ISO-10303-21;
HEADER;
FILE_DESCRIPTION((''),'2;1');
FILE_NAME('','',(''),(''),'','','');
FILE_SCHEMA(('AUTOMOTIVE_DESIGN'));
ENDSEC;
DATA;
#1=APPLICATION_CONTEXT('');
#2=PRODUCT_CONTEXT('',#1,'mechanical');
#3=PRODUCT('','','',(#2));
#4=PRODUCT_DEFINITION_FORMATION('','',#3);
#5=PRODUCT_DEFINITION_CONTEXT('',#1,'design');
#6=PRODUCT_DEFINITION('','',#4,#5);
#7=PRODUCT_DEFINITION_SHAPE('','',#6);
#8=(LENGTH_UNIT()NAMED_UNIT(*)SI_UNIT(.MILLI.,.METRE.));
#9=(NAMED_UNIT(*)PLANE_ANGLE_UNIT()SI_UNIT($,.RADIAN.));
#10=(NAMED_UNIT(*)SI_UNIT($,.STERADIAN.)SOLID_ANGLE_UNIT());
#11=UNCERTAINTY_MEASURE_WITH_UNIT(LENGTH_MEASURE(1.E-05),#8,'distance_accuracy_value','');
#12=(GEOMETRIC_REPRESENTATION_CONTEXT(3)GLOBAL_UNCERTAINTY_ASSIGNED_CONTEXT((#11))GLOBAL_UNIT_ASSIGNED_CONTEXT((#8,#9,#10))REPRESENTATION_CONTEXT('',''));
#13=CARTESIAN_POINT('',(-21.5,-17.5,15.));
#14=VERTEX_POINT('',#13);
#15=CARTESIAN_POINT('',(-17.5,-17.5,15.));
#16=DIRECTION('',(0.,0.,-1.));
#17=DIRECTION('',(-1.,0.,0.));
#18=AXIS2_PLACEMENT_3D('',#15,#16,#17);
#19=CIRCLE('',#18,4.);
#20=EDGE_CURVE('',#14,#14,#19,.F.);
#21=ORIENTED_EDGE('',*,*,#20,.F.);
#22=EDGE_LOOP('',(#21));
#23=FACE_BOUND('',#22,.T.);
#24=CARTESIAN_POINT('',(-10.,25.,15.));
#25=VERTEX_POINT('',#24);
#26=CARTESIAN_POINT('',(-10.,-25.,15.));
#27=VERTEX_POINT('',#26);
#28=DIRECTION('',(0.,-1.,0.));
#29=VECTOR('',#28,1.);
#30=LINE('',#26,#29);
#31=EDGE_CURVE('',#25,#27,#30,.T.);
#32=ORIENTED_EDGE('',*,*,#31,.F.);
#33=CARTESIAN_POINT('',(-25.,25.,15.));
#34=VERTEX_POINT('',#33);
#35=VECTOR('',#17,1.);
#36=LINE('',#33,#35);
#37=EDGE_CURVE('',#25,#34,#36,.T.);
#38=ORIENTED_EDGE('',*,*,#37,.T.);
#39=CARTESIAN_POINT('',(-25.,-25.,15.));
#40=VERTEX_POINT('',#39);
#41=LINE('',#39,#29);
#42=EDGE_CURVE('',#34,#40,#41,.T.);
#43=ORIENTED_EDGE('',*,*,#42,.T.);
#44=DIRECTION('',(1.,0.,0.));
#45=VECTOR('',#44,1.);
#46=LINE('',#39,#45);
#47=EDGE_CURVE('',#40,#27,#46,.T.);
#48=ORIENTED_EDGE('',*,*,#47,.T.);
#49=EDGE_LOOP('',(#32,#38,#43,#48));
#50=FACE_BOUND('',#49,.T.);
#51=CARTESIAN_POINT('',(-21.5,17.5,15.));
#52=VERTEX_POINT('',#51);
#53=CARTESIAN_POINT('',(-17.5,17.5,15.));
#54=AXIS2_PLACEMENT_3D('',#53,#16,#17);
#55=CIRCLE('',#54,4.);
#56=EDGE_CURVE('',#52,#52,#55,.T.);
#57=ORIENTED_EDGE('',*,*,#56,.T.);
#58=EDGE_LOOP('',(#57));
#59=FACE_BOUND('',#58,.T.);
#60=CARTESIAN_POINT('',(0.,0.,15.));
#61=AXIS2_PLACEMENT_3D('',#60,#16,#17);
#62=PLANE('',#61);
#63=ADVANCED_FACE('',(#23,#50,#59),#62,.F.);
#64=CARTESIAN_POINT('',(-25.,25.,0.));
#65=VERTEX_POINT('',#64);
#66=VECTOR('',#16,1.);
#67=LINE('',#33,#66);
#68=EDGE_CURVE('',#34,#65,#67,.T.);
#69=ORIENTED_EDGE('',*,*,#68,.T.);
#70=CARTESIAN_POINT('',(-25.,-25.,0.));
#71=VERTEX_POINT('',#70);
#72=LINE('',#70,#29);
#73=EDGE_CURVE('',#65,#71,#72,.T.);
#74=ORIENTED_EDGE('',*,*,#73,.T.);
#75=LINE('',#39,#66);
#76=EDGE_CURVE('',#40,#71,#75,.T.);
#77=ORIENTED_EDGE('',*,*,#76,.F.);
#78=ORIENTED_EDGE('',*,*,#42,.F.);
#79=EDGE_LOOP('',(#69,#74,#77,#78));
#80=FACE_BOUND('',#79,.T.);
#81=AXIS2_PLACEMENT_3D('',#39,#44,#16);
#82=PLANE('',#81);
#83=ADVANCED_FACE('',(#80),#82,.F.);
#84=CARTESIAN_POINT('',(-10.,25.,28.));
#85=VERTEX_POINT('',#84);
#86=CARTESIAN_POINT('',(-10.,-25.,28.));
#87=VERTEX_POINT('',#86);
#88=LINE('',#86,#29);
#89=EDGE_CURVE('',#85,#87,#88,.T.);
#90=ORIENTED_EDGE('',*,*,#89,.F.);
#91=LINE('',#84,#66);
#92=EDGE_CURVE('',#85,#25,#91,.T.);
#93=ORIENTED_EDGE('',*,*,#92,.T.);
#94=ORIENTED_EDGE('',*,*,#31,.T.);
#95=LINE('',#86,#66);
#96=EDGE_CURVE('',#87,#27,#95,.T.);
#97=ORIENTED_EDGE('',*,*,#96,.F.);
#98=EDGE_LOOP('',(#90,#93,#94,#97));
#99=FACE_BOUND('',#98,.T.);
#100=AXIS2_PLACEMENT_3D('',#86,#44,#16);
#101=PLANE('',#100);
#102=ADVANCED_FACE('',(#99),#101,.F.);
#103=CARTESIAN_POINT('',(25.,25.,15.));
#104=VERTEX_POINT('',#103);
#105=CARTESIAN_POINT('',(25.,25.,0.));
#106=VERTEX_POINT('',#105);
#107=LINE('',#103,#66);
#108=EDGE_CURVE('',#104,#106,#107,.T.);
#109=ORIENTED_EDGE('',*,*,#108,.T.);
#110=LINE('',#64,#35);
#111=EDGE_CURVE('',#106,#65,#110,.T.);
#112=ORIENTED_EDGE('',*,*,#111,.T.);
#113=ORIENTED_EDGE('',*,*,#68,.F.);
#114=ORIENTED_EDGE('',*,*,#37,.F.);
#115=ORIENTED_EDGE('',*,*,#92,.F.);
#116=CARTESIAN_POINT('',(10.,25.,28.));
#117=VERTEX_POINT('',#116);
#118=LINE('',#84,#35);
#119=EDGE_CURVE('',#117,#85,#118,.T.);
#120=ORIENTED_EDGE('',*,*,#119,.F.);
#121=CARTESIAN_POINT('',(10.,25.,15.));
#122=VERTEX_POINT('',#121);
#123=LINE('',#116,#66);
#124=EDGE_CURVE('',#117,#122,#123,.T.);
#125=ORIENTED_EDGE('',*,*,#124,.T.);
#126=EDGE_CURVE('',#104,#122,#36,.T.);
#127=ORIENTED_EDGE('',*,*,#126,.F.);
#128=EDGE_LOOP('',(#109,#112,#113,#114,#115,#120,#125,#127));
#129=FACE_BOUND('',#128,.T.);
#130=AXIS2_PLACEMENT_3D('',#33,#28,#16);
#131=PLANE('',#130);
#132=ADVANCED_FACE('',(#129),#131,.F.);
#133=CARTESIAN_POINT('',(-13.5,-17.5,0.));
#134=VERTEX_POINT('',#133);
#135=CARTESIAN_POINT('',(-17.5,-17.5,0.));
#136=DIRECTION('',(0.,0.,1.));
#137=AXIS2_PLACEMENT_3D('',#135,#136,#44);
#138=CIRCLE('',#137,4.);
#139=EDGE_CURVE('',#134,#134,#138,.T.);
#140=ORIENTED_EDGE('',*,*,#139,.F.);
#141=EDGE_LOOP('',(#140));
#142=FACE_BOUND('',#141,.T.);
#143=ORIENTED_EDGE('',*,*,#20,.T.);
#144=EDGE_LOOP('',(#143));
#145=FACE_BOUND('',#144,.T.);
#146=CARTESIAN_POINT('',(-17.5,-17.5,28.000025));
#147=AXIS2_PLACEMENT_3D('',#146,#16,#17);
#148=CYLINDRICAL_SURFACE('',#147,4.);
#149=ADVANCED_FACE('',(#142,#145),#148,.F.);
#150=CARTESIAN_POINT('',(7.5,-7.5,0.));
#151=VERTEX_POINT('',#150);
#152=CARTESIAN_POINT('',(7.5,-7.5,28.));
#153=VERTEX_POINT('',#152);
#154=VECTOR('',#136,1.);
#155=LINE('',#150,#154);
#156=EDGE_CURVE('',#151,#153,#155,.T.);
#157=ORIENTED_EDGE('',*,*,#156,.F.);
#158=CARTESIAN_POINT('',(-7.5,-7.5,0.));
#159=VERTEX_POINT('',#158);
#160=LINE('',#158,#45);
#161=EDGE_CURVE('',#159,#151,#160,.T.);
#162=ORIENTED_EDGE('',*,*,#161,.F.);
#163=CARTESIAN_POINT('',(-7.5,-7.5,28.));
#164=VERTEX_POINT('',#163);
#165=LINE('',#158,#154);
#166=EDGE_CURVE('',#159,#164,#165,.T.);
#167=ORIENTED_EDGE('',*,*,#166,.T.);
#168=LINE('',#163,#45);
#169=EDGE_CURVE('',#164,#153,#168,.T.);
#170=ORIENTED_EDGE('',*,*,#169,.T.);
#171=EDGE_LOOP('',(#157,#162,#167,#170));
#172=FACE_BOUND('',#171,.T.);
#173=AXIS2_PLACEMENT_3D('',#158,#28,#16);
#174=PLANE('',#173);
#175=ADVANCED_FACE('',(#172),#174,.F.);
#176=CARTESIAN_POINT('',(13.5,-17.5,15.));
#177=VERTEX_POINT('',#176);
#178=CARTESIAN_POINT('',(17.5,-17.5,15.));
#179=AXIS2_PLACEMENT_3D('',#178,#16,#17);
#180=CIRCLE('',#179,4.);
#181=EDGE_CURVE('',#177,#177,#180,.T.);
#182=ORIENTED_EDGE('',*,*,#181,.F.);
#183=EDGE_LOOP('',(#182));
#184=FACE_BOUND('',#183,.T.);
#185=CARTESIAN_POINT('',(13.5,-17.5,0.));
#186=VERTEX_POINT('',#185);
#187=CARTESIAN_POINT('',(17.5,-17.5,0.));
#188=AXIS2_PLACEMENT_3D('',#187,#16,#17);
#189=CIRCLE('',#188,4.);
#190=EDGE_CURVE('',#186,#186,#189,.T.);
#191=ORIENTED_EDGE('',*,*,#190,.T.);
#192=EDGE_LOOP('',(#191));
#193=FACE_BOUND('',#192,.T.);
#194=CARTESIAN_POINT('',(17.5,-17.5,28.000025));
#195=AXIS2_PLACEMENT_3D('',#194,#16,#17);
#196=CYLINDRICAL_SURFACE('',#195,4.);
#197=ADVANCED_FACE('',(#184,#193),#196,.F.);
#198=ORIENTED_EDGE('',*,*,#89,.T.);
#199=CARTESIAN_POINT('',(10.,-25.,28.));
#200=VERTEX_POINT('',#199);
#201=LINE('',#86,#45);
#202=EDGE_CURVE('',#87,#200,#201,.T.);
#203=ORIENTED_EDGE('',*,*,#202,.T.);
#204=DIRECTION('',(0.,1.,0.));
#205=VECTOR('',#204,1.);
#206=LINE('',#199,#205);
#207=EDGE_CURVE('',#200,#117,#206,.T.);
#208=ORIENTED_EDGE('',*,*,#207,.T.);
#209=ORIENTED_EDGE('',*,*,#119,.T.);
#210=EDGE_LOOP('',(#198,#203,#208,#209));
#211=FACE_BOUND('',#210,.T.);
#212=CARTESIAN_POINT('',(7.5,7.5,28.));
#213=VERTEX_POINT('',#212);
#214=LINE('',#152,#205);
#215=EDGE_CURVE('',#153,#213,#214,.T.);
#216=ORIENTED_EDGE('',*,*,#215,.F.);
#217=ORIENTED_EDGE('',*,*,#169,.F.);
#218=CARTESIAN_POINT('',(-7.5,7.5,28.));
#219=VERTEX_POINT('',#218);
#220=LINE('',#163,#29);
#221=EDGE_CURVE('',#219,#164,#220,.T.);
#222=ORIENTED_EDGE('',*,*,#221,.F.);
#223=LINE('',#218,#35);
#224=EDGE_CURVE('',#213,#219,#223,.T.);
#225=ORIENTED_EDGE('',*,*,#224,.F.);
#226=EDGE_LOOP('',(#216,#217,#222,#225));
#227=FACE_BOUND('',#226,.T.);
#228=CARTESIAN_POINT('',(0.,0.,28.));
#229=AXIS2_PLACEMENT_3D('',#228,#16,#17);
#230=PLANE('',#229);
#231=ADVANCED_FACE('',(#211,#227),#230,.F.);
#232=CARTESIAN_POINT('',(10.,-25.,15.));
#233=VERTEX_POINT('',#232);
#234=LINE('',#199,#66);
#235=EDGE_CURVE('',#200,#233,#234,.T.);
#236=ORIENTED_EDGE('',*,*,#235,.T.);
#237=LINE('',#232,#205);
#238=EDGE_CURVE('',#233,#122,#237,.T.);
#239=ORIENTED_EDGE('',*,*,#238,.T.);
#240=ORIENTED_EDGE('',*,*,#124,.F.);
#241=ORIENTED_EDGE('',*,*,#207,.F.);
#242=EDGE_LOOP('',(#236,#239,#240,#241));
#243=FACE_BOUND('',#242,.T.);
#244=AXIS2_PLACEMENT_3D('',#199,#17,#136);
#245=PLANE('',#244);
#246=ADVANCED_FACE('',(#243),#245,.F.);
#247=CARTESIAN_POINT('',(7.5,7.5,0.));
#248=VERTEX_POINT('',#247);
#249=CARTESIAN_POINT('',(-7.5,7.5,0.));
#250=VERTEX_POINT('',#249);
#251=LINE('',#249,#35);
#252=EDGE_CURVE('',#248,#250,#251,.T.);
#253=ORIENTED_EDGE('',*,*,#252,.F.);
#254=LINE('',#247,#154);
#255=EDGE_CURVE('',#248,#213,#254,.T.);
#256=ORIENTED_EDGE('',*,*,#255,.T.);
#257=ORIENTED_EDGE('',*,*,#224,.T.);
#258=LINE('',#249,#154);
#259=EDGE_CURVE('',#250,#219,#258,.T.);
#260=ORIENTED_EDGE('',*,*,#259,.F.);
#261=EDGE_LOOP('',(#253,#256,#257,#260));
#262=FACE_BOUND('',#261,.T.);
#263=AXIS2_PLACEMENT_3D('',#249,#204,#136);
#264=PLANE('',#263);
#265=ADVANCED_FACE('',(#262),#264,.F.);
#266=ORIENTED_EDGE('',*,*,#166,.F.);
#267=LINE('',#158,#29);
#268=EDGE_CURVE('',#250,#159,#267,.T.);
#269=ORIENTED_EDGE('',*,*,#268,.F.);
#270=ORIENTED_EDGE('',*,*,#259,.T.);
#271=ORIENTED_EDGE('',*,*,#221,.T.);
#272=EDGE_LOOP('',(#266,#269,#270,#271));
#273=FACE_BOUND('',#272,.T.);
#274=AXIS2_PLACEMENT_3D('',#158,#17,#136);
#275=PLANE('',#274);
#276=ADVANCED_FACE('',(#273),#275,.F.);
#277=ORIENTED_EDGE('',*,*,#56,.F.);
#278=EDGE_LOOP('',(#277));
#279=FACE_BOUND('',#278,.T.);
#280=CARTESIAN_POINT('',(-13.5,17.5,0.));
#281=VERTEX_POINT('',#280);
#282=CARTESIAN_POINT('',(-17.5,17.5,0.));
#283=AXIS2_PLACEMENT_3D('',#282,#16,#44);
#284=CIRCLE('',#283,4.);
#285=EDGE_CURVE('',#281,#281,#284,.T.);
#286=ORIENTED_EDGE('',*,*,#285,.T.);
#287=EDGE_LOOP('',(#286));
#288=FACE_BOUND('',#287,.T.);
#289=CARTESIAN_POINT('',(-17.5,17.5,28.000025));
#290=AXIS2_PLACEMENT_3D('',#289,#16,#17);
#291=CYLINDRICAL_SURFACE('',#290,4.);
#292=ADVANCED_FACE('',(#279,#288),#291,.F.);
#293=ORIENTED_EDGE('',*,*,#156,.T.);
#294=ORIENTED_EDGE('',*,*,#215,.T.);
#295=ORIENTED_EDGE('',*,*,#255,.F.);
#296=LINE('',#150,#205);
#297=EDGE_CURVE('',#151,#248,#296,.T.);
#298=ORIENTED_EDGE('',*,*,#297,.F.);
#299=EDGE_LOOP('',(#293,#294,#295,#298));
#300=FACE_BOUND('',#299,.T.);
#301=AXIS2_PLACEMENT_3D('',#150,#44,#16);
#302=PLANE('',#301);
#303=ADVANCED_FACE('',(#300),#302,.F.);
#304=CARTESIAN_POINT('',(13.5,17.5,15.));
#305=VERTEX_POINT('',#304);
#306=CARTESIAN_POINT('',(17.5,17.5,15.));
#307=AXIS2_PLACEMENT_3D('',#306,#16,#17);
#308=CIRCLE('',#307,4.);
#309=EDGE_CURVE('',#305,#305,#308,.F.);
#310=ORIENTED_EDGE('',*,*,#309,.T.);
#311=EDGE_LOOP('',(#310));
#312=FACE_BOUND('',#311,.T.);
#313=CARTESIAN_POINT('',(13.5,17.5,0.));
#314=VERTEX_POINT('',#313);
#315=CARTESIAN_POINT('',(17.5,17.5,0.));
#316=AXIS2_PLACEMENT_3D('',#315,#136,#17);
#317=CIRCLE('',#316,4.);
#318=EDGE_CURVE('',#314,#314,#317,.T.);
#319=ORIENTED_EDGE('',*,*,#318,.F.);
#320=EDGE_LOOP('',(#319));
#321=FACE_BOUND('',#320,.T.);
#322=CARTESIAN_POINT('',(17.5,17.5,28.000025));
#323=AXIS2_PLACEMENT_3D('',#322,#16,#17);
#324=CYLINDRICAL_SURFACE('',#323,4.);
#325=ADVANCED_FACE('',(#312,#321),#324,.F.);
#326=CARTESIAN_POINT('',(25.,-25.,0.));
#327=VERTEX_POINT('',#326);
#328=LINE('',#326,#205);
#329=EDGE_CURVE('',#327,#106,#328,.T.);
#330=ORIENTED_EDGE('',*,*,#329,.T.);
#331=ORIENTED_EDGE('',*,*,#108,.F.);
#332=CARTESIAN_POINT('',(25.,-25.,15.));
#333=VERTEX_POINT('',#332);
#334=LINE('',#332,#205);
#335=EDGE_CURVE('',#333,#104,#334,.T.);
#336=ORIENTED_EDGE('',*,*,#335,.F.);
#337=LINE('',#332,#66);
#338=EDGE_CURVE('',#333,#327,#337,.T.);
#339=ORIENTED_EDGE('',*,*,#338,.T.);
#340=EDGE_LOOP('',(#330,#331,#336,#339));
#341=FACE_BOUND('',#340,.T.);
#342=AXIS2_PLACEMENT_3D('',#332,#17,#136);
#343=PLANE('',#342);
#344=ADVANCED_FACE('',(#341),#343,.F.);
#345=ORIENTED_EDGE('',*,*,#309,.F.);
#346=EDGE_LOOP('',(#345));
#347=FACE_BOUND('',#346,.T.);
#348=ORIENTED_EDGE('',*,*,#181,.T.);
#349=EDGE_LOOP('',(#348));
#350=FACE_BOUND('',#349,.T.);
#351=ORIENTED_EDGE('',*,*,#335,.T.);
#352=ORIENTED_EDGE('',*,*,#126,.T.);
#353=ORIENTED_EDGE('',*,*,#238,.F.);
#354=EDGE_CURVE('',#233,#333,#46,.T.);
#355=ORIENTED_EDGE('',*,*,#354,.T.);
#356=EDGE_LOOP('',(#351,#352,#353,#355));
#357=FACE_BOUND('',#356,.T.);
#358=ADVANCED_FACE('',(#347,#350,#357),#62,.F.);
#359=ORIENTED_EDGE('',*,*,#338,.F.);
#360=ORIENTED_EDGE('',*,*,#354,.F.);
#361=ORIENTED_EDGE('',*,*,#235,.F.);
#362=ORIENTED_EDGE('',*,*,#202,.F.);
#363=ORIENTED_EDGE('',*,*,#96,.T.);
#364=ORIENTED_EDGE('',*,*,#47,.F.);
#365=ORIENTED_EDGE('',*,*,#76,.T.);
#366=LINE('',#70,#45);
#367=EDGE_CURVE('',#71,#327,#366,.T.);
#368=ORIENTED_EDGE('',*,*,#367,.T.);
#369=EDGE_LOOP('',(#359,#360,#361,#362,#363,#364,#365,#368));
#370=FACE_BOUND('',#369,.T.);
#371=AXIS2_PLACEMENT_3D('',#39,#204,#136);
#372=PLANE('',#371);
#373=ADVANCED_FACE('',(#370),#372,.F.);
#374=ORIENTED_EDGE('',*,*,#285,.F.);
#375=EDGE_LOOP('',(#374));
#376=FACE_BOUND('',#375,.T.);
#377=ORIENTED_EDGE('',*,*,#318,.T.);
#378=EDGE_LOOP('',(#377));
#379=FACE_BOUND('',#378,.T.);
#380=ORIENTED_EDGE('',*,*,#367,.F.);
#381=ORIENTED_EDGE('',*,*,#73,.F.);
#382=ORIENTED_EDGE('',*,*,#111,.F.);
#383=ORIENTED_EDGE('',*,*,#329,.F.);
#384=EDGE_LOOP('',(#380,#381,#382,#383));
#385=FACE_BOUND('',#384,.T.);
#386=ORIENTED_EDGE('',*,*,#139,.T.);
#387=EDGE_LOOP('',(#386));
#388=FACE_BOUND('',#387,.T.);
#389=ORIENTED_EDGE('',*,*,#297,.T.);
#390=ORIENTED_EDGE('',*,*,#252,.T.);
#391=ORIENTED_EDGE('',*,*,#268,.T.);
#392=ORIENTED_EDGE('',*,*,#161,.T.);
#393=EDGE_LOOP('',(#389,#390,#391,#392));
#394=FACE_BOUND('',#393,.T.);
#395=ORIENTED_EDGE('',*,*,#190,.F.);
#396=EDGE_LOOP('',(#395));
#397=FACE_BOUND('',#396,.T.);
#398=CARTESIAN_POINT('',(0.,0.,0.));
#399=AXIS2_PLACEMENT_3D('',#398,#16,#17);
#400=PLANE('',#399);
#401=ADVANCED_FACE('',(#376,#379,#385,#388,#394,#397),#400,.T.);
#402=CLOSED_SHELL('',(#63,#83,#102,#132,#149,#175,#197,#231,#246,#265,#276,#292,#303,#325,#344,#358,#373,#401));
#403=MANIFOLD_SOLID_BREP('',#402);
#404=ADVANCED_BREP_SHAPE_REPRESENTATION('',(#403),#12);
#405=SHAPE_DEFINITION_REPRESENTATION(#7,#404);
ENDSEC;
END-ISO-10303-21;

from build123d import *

# Parameters (mm, degrees)
SKETCH_1_W               = 50
SKETCH_1_H               = 50
EXTRUDE_1_DEPTH          = 15
SKETCH_2_W               = 20
SKETCH_2_H               = 50
EXTRUDE_2_DEPTH          = 13
SKETCH_3_W               = 15
SKETCH_3_H               = 15
CUT_EXTRUDE_1_DEPTH      = 46.099889135
SKETCH_5_R               = 4
CUT_EXTRUDE_3_DEPTH      = 46.099889135
MIRROR_2_COPY_1_SKETCH_R = 4
MIRROR_2_COPY_1_DEPTH    = 46.099889135


with BuildPart() as part:
    # Эскиз1 → Бобышка-Вытянуть1 (new body)
    with BuildSketch(Plane.XY):
        Rectangle(SKETCH_1_W, SKETCH_1_H)
    extrude(amount=EXTRUDE_1_DEPTH)

    # Эскиз2 → Бобышка-Вытянуть2 (add)
    with BuildSketch(Plane.XY.offset(15)):
        Rectangle(SKETCH_2_W, SKETCH_2_H)
    extrude(amount=EXTRUDE_2_DEPTH)

    # Эскиз3 → Вырез-Вытянуть1 (cut, through all)
    with BuildSketch(Plane.XY.offset(28)):
        Rectangle(SKETCH_3_W, SKETCH_3_H)
    extrude(amount=-CUT_EXTRUDE_1_DEPTH, mode=Mode.SUBTRACT)

    # Эскиз5 → Вырез-Вытянуть3 (cut, through all)
    with BuildSketch(Plane(origin=(0, 0, 0), x_dir=(-1, 0, 0), z_dir=(0, 0, -1))):
        with Locations((-17.5, -17.5)):
            Circle(SKETCH_5_R)
    cut_extrude_3 = extrude(amount=-CUT_EXTRUDE_3_DEPTH, mode=Mode.SUBTRACT)

    # Зеркальное отражение1: Вырез-Вытянуть3 across plane
    add(cut_extrude_3.mirror(Plane.ZX), mode=Mode.SUBTRACT)

    # Зеркальное отражение2: Вырез-Вытянуть3 across plane
    add(cut_extrude_3.mirror(Plane(origin=(0, 0, 0), x_dir=(0, 0, 1), z_dir=(1, 0, 0))), mode=Mode.SUBTRACT)

    # Зеркальное отражение2 copy 1 sketch → Зеркальное отражение2 copy 1 (cut, through all)
    with BuildSketch(Plane(origin=(0, 0, 0), x_dir=(1, 0, 0), z_dir=(0, 0, -1))):
        with Locations((-17.5, -17.5)):
            Circle(MIRROR_2_COPY_1_SKETCH_R)
    extrude(amount=-MIRROR_2_COPY_1_DEPTH, mode=Mode.SUBTRACT)


solid = part.part
